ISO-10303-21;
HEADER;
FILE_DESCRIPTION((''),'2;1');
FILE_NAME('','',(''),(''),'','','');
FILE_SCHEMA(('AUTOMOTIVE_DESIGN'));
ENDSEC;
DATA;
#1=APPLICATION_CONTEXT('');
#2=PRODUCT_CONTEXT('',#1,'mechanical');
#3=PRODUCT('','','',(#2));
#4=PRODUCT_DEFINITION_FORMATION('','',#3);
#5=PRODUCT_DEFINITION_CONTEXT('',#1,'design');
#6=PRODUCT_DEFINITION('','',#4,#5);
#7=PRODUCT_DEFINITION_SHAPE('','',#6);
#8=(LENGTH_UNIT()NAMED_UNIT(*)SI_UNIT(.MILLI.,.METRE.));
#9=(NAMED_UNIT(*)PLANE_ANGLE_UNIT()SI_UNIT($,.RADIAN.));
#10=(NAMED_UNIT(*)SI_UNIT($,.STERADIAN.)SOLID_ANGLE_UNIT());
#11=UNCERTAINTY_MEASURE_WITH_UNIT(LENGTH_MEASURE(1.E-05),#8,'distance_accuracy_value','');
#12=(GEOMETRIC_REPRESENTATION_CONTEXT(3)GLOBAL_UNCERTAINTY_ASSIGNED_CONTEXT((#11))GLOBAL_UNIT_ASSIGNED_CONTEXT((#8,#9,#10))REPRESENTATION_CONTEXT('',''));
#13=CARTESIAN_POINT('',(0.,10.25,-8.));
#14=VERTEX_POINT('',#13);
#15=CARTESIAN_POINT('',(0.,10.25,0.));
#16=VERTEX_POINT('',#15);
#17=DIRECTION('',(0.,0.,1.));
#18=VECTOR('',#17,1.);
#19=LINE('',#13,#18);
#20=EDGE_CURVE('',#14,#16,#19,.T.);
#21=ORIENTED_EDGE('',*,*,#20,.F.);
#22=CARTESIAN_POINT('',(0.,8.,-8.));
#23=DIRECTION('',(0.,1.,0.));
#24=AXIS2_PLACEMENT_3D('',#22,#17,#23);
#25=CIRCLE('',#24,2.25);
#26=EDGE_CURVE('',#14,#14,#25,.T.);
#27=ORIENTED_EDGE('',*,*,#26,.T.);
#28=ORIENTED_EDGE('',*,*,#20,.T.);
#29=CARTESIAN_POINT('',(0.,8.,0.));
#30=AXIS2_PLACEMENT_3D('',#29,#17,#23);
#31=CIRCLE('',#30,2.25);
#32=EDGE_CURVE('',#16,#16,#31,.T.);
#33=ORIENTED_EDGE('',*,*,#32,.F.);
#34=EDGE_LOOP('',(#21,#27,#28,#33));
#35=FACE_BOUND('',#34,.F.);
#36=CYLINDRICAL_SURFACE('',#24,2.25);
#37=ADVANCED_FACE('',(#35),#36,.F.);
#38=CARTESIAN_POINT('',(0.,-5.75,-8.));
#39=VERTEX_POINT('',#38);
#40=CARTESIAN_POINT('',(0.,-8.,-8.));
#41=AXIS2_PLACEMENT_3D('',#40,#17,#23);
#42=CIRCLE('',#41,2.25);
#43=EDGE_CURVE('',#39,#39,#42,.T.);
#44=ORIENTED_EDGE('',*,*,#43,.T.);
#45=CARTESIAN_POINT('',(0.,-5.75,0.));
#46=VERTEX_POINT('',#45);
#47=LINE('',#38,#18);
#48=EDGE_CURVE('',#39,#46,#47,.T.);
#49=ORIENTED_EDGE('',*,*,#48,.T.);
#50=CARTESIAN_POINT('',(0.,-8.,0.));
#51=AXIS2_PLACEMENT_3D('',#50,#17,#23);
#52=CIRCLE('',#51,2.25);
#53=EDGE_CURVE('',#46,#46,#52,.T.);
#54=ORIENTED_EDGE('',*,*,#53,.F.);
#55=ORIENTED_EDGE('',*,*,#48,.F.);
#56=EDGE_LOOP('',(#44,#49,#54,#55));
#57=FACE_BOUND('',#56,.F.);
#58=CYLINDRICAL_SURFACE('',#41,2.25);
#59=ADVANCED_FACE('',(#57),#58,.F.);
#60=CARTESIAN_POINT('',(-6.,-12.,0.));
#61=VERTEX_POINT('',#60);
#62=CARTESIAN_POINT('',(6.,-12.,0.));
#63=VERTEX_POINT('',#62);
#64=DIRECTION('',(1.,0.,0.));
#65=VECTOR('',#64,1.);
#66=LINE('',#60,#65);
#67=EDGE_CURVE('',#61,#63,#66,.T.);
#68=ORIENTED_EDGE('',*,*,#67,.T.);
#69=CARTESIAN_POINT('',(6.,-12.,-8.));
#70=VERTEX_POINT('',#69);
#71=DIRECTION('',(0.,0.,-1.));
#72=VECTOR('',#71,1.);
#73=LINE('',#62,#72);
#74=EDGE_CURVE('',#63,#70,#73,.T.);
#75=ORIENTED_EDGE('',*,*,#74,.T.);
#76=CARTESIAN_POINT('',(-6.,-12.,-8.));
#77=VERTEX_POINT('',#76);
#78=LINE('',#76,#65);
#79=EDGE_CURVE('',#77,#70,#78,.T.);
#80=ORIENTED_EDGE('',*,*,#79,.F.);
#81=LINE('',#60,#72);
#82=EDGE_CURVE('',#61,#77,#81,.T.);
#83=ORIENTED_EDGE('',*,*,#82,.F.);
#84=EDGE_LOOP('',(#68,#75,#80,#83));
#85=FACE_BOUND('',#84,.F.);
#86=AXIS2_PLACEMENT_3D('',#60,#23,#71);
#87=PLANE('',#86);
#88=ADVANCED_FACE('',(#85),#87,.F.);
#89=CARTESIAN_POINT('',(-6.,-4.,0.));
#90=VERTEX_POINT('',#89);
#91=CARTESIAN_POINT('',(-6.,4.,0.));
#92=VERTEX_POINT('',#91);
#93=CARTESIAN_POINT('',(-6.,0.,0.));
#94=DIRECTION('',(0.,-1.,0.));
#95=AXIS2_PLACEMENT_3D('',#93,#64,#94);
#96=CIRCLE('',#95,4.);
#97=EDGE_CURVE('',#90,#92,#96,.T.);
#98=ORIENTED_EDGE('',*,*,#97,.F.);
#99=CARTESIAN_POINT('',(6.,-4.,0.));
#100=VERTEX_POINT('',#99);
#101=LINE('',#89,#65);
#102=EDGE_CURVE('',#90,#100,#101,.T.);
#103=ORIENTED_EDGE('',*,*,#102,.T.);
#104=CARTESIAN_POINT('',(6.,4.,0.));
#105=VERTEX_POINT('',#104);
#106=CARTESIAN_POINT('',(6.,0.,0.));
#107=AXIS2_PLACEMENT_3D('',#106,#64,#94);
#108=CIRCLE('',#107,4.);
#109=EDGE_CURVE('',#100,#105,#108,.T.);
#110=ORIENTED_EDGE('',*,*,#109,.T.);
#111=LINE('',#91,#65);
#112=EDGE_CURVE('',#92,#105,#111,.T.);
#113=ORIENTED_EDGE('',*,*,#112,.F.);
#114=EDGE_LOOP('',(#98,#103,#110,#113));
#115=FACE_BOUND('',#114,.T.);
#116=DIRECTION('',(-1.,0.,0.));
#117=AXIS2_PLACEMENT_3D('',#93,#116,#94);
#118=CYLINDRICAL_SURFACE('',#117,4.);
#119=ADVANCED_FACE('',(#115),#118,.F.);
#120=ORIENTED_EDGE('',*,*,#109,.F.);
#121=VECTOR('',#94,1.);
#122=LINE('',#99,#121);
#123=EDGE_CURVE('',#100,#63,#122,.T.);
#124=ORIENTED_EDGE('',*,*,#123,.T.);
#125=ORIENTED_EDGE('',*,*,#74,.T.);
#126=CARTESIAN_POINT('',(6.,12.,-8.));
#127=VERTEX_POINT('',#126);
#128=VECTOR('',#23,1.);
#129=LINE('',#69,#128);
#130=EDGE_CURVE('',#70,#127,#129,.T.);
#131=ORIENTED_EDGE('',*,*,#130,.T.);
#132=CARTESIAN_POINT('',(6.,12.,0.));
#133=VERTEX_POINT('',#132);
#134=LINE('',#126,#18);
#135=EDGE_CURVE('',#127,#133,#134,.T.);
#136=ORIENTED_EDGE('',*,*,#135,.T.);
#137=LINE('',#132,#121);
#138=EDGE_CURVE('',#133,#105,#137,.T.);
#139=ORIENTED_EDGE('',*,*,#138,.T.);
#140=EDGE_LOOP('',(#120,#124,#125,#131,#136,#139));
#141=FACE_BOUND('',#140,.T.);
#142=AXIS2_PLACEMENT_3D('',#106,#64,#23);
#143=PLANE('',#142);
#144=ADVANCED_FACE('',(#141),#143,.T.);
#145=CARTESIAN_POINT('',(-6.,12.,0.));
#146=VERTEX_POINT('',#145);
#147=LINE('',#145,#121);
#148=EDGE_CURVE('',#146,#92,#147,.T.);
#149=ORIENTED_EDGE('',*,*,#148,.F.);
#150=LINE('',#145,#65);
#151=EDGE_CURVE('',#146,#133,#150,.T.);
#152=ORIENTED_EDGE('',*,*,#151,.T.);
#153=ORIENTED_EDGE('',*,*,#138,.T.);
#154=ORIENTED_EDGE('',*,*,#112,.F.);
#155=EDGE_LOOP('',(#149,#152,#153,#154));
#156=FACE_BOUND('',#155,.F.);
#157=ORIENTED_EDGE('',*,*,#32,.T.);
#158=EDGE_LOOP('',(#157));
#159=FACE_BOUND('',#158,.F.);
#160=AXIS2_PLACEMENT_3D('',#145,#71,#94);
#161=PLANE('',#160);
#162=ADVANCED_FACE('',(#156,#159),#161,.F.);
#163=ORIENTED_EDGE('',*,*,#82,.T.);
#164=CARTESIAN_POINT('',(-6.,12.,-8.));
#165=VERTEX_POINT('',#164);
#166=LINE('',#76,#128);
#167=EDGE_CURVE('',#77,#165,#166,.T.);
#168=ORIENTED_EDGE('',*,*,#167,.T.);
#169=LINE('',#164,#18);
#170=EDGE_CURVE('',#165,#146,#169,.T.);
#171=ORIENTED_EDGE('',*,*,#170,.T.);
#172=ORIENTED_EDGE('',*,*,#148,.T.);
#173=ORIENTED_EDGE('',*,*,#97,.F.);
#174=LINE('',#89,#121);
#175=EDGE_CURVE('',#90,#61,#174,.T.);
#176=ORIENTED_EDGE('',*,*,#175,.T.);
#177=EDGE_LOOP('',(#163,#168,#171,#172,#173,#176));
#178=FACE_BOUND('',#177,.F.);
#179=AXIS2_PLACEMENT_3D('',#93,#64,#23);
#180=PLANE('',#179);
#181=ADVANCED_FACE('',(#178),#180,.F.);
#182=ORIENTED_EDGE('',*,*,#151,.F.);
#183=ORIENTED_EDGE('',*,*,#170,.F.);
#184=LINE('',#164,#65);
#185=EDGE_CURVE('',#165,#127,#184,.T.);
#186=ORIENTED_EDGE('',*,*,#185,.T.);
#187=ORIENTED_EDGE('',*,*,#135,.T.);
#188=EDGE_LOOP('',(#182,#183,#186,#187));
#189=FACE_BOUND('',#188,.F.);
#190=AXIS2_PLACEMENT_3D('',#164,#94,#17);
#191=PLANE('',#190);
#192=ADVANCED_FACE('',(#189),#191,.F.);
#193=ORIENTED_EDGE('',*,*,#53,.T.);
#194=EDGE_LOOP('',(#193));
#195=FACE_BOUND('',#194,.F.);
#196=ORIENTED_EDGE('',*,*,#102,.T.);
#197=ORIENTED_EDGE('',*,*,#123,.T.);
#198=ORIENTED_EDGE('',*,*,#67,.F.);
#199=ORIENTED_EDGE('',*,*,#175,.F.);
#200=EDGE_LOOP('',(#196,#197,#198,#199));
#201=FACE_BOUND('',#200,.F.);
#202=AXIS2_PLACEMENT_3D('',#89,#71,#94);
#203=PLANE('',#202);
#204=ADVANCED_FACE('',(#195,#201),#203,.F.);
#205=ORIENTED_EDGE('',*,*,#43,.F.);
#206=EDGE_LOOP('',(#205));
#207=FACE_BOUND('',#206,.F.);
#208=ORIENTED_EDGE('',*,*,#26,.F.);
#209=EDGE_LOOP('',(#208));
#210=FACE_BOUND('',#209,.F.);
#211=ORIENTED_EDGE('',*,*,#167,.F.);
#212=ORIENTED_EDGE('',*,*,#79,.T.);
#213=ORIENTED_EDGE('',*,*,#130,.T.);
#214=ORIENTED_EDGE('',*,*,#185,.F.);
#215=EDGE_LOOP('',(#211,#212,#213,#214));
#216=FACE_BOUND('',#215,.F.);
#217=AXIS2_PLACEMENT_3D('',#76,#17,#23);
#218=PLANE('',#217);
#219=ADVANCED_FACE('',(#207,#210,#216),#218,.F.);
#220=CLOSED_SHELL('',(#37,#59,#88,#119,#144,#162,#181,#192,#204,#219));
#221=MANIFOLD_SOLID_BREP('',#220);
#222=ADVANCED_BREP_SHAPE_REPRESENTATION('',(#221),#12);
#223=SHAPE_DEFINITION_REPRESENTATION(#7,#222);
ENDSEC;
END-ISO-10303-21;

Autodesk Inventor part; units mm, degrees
ref_plane "XZ Plane" through (0, 0, 0) normal (0, 1, 0) x (-1, 0, 0)
ref_plane "XY Plane" through (0, 0, 0) normal (0, 0, 1) x (1, 0, 0)
ref_plane "Work Plane1" through (-6, 0, 0) normal (1, 0, 0) x (0, 1, 0)
sketch "Sketch1" plane through (-6, 0, 0) normal (1, 0, 0) x (0, 1, 0)
  line L0 (-12, -8) -> (12, -8)
  arc A0 (-4, 0) -> (4, 0) centre (0, 0) ccw
  line L1 (-4, 0) -> (-12, 0)
  line L2 (12, -8) -> (12, 0)
  line L3 (-12, 0) -> (-12, -8)
  line L4 (12, 0) -> (4, 0)
extrude "Extrusion1" add sketch "Sketch1" along normal blind 12
hole "Hole2" at (0, -8, -8) direction (0, 0, 1) diameter 4.5 depth 8
sketch "Sketch2" plane through (-6, -12, -8) normal (0, 0, -1) x (-1, 0, 0)
  point P0 (-6, 4)
hole "Hole1" at (0, 8, -8) direction (0, 0, 1) diameter 4.5 depth 8
sketch "Sketch3" plane through (-6, -12, -8) normal (0, 0, -1) x (-1, 0, 0)
  point P0 (-6, 20)
properties part number "Hopper Smooth Rod Clamp" material "ASA Plastic"
